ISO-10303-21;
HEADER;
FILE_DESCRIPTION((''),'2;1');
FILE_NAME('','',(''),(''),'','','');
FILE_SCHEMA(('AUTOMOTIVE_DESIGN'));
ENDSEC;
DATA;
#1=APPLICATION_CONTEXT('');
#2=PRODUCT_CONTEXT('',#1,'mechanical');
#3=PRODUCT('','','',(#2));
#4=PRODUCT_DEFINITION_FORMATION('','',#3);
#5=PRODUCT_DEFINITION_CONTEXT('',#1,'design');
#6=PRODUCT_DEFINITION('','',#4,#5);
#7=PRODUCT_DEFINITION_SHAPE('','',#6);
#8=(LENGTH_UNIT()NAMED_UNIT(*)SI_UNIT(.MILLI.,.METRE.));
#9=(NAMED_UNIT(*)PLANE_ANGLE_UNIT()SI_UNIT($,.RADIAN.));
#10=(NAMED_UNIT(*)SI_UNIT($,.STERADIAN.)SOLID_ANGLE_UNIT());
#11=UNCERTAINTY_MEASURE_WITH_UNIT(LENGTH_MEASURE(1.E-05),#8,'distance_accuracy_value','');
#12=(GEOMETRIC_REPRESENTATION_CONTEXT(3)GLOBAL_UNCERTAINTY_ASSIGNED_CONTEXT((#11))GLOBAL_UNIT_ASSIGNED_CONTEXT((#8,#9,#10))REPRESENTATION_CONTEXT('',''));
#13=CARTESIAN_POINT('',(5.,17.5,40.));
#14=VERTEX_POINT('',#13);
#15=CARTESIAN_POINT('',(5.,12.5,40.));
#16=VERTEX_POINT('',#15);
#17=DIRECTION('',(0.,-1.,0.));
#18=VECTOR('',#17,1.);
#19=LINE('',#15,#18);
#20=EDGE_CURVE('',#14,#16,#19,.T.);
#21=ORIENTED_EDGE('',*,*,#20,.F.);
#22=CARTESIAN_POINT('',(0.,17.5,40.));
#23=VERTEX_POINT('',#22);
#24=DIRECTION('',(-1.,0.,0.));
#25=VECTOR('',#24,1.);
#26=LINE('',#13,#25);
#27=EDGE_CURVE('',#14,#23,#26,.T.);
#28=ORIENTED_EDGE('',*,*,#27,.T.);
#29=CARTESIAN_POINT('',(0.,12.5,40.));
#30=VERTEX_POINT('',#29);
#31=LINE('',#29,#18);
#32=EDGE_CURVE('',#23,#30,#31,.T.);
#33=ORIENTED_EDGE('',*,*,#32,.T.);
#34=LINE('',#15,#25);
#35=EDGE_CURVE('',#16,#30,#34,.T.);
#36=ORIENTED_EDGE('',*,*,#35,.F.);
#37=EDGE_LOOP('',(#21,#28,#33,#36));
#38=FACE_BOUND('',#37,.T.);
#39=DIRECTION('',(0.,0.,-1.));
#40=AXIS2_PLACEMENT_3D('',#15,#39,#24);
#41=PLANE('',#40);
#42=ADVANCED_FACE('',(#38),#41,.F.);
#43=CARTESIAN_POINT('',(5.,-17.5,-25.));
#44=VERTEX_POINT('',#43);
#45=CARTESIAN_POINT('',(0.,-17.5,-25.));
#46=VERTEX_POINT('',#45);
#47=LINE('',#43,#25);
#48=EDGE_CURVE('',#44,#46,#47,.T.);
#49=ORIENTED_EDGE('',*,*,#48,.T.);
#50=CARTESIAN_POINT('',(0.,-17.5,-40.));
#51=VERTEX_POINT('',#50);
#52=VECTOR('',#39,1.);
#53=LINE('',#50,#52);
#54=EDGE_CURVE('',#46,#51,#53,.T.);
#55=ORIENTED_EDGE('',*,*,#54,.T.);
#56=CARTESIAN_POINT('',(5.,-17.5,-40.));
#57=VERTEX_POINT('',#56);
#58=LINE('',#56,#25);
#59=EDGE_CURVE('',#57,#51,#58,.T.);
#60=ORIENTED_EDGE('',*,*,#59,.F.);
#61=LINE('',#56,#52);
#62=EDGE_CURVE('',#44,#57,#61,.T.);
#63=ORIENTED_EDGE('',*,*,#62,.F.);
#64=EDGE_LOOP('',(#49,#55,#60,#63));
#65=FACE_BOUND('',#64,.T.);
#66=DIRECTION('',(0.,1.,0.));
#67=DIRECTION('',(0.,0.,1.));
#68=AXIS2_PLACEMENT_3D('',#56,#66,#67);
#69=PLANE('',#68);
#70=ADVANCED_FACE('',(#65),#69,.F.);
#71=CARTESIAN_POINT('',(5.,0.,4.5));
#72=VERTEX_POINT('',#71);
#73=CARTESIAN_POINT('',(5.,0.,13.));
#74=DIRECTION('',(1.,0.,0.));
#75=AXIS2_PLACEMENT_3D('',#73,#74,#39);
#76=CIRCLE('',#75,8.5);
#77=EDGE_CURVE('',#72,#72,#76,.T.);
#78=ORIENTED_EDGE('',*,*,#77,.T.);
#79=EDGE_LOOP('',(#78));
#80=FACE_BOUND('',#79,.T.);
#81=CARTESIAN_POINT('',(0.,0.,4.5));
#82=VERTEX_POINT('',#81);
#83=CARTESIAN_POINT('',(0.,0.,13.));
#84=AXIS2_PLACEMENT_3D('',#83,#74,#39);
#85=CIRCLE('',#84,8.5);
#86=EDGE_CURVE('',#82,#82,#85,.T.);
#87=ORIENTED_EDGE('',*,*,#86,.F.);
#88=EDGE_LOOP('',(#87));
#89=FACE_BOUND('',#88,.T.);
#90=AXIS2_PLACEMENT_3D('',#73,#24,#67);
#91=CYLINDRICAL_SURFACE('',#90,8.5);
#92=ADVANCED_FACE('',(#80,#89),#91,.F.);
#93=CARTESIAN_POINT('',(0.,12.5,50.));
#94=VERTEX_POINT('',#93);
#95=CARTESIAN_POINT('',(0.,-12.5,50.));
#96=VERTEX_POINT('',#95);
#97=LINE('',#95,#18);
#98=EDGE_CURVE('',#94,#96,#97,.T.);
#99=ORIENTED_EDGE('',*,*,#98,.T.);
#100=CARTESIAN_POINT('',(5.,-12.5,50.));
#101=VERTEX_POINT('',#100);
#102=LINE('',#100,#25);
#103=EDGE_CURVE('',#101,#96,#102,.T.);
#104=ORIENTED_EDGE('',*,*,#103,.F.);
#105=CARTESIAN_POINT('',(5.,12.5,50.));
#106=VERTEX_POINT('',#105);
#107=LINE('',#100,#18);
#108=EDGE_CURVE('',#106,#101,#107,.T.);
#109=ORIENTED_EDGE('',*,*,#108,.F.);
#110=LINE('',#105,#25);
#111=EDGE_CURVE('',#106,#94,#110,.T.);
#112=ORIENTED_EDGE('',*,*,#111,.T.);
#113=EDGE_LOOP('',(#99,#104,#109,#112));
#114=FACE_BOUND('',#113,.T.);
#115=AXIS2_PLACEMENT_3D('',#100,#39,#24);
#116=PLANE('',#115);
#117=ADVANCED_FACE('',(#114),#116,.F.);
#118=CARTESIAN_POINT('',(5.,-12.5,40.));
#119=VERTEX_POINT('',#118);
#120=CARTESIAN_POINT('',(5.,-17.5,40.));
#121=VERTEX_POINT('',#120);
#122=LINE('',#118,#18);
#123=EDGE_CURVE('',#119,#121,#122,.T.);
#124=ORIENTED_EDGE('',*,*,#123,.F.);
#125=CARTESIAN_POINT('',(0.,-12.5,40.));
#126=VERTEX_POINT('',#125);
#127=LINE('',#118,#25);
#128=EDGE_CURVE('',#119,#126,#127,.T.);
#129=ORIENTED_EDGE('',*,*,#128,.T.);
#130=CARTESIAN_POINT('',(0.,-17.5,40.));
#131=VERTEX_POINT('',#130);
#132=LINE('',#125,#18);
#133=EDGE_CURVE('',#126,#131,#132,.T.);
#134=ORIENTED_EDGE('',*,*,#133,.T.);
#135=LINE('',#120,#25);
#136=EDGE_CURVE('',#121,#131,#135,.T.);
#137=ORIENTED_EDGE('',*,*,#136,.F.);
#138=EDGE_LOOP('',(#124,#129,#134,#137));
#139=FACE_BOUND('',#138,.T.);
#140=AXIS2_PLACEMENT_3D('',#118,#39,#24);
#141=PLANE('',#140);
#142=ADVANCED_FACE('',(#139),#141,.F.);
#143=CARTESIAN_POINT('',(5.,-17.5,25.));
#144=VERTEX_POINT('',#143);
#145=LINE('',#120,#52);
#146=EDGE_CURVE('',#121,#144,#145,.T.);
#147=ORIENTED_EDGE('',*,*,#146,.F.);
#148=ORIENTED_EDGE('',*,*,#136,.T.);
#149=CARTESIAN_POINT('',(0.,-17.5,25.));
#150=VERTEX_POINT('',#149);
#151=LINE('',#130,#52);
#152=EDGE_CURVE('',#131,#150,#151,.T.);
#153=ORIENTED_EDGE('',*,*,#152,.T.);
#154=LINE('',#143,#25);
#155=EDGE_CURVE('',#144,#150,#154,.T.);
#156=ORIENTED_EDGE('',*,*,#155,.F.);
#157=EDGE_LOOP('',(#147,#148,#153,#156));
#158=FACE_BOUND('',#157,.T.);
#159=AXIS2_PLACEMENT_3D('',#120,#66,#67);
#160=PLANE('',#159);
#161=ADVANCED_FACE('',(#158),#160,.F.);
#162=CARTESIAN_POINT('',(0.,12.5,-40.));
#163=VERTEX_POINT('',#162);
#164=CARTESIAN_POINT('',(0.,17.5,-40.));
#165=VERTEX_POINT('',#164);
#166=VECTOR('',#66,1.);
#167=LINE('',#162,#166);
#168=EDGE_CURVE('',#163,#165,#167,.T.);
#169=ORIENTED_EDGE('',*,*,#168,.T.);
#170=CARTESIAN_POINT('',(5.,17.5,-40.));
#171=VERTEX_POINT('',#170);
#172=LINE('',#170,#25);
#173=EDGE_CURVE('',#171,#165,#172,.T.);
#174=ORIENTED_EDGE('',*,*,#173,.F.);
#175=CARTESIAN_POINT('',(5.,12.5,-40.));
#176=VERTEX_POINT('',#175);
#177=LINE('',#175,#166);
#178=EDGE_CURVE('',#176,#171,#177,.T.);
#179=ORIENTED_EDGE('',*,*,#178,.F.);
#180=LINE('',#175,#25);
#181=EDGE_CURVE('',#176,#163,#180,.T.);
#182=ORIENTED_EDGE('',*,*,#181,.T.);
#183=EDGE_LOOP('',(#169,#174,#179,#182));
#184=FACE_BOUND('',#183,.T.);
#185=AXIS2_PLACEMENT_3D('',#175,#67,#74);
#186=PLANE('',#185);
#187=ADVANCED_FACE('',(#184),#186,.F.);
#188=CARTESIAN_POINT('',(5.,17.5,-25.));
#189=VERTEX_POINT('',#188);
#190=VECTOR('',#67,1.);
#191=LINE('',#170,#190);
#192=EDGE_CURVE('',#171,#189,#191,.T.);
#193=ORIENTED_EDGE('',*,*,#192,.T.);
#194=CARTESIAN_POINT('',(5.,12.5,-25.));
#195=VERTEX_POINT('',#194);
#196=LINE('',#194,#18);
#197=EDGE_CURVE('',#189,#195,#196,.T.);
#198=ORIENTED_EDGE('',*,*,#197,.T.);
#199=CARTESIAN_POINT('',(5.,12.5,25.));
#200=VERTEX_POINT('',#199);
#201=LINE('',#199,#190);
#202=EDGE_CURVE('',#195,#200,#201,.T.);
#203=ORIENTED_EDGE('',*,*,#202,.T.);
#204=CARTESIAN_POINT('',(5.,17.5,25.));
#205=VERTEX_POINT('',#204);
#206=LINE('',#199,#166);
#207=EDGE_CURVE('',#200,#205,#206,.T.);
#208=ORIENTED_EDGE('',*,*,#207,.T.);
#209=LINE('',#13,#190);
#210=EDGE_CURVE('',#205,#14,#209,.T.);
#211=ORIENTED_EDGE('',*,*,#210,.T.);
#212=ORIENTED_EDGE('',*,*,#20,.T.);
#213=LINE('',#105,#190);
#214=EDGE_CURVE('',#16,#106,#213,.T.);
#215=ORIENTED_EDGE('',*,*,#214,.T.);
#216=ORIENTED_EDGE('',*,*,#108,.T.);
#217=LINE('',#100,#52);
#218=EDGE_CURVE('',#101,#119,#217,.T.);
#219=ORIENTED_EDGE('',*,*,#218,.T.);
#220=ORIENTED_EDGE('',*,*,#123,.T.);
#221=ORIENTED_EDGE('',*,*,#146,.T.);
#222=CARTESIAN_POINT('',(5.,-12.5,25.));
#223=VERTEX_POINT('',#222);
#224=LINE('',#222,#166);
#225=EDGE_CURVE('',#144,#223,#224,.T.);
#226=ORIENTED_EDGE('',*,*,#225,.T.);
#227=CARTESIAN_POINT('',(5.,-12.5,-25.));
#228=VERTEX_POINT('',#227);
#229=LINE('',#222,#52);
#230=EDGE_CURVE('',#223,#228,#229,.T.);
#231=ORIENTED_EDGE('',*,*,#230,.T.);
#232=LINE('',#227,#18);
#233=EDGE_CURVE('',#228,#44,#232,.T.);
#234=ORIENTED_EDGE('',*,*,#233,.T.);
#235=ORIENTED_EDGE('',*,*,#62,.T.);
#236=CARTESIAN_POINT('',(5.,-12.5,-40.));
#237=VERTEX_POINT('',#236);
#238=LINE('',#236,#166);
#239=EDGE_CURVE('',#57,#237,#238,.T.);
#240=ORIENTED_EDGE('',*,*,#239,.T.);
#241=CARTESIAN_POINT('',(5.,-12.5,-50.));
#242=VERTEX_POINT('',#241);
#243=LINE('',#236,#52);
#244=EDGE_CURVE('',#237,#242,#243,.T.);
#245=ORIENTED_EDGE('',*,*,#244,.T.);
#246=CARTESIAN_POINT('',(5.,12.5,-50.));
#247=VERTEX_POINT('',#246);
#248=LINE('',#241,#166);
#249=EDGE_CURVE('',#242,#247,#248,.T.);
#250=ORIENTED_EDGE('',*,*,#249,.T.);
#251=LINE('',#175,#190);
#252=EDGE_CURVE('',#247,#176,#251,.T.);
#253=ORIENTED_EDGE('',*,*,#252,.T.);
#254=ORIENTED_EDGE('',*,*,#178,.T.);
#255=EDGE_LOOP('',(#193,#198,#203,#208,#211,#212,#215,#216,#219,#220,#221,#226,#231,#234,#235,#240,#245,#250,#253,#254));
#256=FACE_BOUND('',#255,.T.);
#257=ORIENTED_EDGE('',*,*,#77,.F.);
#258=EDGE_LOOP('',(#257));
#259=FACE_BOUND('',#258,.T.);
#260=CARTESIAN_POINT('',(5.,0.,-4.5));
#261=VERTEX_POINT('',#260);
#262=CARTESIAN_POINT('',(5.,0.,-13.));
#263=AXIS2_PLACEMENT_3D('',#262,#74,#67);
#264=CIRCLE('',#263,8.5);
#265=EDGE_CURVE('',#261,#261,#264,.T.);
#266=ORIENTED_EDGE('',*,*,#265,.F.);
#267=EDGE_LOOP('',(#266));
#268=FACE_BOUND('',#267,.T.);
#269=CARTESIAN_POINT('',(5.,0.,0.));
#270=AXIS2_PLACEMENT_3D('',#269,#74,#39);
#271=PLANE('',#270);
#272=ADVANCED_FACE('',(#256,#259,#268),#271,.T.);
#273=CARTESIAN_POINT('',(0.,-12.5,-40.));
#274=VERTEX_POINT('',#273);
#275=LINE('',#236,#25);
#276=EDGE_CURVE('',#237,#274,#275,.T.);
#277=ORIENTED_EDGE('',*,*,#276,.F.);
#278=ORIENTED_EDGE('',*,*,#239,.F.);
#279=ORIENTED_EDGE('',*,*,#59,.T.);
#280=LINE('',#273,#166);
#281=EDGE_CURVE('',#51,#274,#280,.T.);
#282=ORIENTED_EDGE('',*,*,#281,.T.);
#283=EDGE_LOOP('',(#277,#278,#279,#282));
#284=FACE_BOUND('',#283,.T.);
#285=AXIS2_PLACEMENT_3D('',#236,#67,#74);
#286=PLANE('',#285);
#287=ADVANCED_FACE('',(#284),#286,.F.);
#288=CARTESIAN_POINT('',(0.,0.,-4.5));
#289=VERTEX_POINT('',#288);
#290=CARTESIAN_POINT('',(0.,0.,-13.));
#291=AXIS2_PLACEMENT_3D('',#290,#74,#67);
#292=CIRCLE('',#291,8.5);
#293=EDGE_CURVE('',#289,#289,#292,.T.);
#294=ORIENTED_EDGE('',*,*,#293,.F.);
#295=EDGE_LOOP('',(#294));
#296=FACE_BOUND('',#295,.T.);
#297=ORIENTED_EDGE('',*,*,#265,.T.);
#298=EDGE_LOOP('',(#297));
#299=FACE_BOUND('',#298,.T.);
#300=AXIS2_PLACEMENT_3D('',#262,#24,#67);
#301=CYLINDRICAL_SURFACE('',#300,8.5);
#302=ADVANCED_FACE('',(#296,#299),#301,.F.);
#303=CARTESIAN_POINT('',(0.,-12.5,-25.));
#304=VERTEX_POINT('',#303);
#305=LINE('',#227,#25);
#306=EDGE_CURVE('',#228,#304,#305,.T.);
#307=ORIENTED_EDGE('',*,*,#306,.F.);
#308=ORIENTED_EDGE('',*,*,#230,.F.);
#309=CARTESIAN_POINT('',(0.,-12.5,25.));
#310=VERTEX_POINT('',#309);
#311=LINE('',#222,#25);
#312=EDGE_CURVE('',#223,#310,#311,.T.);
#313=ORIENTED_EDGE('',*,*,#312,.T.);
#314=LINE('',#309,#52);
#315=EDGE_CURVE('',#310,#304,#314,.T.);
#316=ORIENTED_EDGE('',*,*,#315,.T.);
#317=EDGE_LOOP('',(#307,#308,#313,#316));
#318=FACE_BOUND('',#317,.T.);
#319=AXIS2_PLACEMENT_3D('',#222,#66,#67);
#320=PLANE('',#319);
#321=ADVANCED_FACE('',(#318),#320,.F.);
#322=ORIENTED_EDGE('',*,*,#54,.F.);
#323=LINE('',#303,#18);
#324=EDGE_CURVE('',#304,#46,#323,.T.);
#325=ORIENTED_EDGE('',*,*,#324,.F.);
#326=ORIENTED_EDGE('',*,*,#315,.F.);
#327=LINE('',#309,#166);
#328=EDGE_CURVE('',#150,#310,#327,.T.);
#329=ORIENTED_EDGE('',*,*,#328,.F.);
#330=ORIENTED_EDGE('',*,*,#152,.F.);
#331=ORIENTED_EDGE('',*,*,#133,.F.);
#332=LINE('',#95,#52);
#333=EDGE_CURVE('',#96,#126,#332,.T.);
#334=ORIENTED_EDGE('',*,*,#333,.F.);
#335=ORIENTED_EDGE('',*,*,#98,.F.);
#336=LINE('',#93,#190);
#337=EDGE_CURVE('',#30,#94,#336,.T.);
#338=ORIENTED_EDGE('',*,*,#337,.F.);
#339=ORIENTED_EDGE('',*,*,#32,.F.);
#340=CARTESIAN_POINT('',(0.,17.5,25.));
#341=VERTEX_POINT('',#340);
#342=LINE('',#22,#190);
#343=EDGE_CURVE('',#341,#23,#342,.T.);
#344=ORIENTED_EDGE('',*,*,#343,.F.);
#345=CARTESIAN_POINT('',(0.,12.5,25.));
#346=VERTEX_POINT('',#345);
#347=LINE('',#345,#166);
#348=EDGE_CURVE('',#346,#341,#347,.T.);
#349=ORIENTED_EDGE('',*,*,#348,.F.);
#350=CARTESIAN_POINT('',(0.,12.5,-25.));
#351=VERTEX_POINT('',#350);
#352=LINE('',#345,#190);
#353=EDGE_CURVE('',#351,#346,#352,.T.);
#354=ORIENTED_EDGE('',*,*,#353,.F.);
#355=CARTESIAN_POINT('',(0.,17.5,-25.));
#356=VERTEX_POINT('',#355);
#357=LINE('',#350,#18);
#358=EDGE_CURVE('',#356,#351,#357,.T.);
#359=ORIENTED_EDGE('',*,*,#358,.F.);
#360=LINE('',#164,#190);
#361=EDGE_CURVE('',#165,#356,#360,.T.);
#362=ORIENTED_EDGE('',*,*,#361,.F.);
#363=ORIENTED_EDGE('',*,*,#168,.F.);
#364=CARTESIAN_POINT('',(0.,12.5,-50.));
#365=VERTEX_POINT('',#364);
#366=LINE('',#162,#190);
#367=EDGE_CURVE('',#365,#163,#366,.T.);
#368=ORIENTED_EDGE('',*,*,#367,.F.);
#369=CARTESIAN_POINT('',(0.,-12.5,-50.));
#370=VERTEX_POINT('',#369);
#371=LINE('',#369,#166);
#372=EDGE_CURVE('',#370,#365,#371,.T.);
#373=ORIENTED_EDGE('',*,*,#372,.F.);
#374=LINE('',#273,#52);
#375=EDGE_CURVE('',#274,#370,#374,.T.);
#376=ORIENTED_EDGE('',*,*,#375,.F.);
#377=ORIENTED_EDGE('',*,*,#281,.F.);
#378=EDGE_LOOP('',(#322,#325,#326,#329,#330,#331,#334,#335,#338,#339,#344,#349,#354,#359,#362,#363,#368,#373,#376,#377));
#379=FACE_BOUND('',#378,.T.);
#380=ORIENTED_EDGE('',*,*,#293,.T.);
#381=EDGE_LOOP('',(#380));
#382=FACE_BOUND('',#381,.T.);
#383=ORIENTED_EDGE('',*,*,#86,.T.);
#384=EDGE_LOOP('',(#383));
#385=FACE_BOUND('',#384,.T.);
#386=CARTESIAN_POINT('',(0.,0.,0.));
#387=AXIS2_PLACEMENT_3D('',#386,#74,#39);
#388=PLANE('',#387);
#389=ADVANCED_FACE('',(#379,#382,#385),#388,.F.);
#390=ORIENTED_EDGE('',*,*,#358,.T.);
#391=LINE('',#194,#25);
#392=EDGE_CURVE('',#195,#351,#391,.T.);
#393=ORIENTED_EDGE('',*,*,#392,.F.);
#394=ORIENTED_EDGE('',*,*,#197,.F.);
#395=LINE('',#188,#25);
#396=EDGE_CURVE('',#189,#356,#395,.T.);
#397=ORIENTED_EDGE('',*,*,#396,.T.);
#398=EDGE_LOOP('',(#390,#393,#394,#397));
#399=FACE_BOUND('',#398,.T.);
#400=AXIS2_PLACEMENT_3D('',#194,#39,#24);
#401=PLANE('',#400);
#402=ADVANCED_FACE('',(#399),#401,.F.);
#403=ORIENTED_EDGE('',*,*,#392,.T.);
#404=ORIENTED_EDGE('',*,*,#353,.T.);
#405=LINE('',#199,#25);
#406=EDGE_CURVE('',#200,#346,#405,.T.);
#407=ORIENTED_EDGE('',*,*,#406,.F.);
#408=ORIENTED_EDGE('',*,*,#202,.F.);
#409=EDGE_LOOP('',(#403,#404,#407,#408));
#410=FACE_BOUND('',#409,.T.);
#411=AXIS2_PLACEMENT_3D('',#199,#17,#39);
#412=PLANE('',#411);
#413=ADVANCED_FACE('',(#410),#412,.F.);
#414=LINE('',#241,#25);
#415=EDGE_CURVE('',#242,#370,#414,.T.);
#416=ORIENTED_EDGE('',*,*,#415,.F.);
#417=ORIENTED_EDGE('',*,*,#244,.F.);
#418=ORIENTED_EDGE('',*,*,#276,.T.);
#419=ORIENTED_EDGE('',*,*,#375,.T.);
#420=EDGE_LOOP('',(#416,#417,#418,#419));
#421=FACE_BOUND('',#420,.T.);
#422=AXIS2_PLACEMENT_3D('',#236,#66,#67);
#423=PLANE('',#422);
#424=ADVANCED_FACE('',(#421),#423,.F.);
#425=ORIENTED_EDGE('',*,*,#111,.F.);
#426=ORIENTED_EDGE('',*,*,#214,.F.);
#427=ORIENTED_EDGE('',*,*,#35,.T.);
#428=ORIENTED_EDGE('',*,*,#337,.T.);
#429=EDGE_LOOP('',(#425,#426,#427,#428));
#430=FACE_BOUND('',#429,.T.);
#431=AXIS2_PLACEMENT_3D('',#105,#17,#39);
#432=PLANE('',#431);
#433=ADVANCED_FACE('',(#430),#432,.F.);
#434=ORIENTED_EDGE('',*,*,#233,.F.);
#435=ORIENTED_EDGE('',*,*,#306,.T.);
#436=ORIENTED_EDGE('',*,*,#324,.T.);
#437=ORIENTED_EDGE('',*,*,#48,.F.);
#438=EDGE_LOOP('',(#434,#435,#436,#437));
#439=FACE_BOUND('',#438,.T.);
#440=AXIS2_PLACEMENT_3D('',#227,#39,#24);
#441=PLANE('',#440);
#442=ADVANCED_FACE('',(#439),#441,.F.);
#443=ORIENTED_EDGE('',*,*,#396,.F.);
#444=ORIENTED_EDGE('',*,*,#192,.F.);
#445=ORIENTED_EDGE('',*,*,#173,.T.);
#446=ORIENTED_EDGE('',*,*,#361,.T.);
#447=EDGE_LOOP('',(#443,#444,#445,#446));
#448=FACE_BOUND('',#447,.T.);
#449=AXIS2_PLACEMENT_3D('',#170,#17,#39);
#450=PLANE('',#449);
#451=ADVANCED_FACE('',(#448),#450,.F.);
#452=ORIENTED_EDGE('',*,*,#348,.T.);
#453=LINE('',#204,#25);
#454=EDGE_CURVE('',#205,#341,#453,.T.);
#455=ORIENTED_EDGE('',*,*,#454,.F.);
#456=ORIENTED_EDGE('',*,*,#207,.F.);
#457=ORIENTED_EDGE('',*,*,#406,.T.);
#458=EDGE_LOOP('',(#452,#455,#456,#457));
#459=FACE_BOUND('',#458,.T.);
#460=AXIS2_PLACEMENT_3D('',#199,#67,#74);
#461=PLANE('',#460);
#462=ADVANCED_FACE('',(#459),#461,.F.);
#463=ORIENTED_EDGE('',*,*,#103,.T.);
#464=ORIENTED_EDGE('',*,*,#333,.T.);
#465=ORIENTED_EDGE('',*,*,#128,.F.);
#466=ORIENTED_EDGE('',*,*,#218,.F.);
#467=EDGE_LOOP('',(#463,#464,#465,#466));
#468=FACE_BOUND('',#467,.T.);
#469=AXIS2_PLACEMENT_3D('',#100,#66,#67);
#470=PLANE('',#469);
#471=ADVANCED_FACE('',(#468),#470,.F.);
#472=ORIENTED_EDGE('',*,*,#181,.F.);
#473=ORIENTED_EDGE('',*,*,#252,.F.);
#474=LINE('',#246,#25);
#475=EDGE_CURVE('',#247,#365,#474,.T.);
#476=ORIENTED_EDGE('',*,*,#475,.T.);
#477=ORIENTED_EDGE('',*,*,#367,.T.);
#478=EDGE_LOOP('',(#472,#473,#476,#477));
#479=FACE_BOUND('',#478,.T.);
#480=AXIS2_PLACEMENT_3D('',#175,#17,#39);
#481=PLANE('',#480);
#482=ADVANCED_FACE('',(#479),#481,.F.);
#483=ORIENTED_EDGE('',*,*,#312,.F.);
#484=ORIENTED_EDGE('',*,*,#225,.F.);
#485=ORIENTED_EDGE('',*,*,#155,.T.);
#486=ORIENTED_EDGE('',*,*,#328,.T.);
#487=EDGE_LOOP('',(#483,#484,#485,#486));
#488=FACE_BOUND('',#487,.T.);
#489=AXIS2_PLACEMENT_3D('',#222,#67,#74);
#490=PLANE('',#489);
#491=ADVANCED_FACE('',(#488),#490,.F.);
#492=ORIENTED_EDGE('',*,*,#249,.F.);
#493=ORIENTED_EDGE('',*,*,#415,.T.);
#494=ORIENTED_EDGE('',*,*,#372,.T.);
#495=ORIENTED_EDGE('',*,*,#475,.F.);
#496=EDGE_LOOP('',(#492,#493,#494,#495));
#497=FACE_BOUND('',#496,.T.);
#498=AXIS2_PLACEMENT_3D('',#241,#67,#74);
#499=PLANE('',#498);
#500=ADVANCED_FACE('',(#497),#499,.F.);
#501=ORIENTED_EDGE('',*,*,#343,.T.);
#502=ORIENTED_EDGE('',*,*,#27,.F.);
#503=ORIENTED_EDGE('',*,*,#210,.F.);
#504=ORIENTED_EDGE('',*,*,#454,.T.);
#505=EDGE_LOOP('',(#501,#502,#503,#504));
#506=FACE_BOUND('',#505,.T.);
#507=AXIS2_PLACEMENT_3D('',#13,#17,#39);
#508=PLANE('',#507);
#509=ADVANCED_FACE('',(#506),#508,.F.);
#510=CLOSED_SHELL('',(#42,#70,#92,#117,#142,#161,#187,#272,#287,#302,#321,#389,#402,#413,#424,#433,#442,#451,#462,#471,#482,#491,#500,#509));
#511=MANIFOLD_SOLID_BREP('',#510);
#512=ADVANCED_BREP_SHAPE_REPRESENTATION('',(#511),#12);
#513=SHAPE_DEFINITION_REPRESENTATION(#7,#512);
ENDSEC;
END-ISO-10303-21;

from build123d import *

# Parameters (mm, degrees)
SKETCH2_R           = 8.5
BOSS_EXTRUDE1_DEPTH = 5


with BuildPart() as part:
    # Sketch2 → Boss-Extrude1 (new body)
    with BuildSketch(Plane(origin=(0, 0, 0), x_dir=(0, 0, -1), z_dir=(1, 0, 0))):
        Polygon((-50, -12.5), (-40, -12.5), (-40, -17.5), (-25, -17.5), (-25, -12.5), (25, -12.5), (25, -17.5), (40, -17.5), (40, -12.5), (50, -12.5), (50, 12.5), (40, 12.5), (40, 17.5), (25, 17.5), (25, 12.5), (-25, 12.5), (-25, 17.5), (-40, 17.5), (-40, 12.5), (-50, 12.5), align=None)
        with Locations((-13, 0)):
            Circle(SKETCH2_R, mode=Mode.SUBTRACT)
        with Locations(Location((13, 0, 0), (0, 0, 180))):
            Circle(SKETCH2_R, mode=Mode.SUBTRACT)
    extrude(amount=BOSS_EXTRUDE1_DEPTH)


solid = part.part
